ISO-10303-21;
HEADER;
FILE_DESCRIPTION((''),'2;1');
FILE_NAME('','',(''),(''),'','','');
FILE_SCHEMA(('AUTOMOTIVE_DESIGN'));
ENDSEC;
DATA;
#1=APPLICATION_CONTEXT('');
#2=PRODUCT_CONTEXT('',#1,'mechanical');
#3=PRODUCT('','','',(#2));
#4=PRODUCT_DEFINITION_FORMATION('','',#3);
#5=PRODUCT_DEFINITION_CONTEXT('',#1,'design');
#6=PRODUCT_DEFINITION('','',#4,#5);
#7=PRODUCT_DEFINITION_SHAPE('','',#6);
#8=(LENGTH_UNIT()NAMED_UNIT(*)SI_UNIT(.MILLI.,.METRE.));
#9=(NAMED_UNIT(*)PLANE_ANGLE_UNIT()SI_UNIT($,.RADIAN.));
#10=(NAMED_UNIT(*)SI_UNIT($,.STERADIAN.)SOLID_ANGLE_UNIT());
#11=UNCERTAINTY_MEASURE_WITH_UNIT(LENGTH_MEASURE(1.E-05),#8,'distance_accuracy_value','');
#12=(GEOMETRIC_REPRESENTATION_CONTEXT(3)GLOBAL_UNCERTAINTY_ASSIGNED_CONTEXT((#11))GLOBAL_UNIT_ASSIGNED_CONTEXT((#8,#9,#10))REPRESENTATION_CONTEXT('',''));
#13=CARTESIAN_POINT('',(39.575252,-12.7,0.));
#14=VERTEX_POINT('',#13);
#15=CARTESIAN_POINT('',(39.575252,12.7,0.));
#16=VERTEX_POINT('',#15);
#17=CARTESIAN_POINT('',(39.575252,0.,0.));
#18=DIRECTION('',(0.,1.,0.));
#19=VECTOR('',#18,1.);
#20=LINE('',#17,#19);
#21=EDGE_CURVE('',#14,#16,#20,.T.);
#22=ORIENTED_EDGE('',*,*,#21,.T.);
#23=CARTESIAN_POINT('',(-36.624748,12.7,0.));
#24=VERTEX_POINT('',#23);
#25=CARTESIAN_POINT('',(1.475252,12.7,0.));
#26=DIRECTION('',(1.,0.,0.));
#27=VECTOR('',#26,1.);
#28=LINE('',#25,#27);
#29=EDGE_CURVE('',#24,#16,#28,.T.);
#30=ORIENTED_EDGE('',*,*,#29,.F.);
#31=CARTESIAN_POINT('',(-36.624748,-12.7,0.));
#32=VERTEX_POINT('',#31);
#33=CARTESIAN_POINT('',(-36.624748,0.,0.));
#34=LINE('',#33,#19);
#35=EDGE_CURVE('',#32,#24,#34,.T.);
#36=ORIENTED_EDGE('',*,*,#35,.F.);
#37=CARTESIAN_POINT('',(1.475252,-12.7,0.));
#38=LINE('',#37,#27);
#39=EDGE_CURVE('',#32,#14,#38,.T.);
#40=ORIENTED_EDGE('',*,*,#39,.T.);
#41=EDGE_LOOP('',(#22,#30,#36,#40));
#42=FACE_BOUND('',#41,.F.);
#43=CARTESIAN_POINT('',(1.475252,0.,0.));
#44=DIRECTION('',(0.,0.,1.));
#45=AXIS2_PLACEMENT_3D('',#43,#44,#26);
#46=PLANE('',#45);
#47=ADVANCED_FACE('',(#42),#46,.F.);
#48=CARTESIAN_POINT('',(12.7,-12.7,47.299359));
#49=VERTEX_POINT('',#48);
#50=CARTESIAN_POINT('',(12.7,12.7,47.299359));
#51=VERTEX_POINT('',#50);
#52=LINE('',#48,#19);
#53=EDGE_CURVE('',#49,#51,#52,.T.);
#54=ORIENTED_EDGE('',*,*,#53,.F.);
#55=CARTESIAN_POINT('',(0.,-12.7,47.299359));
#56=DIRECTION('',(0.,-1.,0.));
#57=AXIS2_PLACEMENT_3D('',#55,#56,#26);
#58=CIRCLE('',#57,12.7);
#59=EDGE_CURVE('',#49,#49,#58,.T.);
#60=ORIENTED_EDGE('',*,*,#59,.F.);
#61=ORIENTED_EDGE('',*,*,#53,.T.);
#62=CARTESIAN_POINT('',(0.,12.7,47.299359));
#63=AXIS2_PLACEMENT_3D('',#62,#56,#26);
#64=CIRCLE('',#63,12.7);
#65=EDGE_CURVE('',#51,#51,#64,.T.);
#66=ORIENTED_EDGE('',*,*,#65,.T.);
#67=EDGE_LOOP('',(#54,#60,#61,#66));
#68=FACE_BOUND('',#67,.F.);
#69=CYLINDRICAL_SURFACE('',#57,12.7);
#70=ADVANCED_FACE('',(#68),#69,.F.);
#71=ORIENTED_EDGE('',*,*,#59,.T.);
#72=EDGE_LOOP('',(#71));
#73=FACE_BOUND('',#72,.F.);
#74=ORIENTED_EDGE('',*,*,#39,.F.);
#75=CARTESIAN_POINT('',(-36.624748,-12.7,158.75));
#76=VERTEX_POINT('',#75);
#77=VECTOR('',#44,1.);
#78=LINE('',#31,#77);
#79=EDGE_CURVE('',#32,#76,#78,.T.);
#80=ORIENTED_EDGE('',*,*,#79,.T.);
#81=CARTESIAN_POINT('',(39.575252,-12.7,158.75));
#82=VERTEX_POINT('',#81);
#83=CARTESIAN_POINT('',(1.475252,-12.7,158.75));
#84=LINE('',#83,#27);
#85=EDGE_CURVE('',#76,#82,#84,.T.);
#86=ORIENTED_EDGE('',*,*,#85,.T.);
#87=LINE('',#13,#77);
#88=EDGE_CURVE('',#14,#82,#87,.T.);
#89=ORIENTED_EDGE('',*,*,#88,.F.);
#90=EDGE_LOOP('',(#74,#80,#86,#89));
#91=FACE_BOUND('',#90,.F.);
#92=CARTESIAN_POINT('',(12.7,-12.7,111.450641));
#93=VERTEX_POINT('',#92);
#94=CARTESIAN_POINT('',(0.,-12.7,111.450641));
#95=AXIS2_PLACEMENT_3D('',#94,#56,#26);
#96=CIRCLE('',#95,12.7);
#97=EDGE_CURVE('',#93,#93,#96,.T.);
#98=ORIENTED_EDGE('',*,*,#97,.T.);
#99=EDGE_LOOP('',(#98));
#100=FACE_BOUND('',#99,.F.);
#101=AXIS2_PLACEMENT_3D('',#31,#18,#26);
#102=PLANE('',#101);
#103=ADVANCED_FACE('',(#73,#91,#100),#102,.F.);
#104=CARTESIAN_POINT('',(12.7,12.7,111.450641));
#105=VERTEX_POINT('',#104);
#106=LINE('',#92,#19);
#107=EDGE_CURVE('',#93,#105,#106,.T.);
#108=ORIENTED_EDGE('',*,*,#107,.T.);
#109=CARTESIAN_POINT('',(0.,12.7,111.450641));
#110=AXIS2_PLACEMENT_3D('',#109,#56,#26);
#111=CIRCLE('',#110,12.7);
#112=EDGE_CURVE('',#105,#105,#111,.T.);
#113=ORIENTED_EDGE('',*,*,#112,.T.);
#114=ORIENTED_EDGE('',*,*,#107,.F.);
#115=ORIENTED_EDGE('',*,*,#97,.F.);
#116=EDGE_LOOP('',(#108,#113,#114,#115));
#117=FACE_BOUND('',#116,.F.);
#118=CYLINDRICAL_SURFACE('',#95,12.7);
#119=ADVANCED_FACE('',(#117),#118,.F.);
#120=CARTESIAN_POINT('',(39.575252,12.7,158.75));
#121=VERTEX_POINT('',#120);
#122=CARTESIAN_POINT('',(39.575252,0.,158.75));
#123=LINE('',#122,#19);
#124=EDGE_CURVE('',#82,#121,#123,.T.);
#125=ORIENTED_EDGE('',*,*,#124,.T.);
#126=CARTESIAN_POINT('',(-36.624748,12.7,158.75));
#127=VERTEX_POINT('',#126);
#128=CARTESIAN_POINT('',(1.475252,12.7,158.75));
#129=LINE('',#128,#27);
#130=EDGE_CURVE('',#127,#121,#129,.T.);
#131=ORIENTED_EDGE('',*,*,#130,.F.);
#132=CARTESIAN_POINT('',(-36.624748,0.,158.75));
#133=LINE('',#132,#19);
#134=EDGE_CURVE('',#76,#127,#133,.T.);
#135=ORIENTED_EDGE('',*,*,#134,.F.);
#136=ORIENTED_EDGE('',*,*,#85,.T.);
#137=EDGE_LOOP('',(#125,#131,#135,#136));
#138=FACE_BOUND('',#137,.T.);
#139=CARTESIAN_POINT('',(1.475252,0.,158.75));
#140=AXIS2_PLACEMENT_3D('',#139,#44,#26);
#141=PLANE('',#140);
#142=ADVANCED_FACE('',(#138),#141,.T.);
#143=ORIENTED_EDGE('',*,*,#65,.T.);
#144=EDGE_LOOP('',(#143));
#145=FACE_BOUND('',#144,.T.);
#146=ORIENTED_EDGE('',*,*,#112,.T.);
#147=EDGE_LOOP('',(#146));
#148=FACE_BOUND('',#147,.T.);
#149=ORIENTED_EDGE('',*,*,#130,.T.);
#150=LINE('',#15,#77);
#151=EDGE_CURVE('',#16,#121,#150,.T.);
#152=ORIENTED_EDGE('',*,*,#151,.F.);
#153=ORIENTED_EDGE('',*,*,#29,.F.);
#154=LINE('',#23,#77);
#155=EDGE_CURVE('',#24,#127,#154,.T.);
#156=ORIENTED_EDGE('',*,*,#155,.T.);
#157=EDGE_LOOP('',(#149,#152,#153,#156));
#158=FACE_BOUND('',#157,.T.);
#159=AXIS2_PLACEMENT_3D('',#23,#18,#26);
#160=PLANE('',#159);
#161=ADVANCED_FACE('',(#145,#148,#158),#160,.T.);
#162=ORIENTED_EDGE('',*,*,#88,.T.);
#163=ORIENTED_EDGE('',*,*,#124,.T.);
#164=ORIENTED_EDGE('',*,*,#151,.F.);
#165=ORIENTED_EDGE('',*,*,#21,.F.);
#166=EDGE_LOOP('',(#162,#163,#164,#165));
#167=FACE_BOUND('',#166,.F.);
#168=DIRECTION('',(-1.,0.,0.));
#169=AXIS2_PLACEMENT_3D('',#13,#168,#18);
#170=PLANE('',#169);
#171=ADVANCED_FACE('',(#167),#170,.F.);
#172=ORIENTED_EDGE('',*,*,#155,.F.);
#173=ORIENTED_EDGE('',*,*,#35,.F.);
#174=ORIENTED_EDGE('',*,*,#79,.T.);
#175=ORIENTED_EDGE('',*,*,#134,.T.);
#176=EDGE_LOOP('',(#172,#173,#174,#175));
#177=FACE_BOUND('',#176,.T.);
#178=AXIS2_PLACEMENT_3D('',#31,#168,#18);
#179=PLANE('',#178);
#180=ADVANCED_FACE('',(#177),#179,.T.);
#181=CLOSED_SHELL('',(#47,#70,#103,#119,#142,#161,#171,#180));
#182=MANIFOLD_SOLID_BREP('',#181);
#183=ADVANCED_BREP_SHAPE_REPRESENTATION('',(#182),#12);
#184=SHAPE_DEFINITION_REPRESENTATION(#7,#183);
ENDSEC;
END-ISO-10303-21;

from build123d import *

# Parameters (mm, degrees)
F0_W     = 76.2
F0_H     = 25.4
F1_DEPTH = 158.75
F2_R     = 12.7
F3_DEPTH = 25.4


with BuildPart() as f1:
    # F0 (on Top) → F1 (new body)
    with BuildSketch(Plane.XY):
        with Locations((1.475252, 0)):
            Rectangle(F0_W, F0_H)
    extrude(amount=F1_DEPTH)

    # F2 (on face) → F3 (cut)
    with BuildSketch(Plane.XZ.offset(12.7)):
        with Locations((0, 111.450641)):
            Circle(F2_R)
        with Locations((0, 47.299359)):
            Circle(F2_R)
    extrude(amount=-F3_DEPTH, mode=Mode.SUBTRACT)


solid = f1.part
